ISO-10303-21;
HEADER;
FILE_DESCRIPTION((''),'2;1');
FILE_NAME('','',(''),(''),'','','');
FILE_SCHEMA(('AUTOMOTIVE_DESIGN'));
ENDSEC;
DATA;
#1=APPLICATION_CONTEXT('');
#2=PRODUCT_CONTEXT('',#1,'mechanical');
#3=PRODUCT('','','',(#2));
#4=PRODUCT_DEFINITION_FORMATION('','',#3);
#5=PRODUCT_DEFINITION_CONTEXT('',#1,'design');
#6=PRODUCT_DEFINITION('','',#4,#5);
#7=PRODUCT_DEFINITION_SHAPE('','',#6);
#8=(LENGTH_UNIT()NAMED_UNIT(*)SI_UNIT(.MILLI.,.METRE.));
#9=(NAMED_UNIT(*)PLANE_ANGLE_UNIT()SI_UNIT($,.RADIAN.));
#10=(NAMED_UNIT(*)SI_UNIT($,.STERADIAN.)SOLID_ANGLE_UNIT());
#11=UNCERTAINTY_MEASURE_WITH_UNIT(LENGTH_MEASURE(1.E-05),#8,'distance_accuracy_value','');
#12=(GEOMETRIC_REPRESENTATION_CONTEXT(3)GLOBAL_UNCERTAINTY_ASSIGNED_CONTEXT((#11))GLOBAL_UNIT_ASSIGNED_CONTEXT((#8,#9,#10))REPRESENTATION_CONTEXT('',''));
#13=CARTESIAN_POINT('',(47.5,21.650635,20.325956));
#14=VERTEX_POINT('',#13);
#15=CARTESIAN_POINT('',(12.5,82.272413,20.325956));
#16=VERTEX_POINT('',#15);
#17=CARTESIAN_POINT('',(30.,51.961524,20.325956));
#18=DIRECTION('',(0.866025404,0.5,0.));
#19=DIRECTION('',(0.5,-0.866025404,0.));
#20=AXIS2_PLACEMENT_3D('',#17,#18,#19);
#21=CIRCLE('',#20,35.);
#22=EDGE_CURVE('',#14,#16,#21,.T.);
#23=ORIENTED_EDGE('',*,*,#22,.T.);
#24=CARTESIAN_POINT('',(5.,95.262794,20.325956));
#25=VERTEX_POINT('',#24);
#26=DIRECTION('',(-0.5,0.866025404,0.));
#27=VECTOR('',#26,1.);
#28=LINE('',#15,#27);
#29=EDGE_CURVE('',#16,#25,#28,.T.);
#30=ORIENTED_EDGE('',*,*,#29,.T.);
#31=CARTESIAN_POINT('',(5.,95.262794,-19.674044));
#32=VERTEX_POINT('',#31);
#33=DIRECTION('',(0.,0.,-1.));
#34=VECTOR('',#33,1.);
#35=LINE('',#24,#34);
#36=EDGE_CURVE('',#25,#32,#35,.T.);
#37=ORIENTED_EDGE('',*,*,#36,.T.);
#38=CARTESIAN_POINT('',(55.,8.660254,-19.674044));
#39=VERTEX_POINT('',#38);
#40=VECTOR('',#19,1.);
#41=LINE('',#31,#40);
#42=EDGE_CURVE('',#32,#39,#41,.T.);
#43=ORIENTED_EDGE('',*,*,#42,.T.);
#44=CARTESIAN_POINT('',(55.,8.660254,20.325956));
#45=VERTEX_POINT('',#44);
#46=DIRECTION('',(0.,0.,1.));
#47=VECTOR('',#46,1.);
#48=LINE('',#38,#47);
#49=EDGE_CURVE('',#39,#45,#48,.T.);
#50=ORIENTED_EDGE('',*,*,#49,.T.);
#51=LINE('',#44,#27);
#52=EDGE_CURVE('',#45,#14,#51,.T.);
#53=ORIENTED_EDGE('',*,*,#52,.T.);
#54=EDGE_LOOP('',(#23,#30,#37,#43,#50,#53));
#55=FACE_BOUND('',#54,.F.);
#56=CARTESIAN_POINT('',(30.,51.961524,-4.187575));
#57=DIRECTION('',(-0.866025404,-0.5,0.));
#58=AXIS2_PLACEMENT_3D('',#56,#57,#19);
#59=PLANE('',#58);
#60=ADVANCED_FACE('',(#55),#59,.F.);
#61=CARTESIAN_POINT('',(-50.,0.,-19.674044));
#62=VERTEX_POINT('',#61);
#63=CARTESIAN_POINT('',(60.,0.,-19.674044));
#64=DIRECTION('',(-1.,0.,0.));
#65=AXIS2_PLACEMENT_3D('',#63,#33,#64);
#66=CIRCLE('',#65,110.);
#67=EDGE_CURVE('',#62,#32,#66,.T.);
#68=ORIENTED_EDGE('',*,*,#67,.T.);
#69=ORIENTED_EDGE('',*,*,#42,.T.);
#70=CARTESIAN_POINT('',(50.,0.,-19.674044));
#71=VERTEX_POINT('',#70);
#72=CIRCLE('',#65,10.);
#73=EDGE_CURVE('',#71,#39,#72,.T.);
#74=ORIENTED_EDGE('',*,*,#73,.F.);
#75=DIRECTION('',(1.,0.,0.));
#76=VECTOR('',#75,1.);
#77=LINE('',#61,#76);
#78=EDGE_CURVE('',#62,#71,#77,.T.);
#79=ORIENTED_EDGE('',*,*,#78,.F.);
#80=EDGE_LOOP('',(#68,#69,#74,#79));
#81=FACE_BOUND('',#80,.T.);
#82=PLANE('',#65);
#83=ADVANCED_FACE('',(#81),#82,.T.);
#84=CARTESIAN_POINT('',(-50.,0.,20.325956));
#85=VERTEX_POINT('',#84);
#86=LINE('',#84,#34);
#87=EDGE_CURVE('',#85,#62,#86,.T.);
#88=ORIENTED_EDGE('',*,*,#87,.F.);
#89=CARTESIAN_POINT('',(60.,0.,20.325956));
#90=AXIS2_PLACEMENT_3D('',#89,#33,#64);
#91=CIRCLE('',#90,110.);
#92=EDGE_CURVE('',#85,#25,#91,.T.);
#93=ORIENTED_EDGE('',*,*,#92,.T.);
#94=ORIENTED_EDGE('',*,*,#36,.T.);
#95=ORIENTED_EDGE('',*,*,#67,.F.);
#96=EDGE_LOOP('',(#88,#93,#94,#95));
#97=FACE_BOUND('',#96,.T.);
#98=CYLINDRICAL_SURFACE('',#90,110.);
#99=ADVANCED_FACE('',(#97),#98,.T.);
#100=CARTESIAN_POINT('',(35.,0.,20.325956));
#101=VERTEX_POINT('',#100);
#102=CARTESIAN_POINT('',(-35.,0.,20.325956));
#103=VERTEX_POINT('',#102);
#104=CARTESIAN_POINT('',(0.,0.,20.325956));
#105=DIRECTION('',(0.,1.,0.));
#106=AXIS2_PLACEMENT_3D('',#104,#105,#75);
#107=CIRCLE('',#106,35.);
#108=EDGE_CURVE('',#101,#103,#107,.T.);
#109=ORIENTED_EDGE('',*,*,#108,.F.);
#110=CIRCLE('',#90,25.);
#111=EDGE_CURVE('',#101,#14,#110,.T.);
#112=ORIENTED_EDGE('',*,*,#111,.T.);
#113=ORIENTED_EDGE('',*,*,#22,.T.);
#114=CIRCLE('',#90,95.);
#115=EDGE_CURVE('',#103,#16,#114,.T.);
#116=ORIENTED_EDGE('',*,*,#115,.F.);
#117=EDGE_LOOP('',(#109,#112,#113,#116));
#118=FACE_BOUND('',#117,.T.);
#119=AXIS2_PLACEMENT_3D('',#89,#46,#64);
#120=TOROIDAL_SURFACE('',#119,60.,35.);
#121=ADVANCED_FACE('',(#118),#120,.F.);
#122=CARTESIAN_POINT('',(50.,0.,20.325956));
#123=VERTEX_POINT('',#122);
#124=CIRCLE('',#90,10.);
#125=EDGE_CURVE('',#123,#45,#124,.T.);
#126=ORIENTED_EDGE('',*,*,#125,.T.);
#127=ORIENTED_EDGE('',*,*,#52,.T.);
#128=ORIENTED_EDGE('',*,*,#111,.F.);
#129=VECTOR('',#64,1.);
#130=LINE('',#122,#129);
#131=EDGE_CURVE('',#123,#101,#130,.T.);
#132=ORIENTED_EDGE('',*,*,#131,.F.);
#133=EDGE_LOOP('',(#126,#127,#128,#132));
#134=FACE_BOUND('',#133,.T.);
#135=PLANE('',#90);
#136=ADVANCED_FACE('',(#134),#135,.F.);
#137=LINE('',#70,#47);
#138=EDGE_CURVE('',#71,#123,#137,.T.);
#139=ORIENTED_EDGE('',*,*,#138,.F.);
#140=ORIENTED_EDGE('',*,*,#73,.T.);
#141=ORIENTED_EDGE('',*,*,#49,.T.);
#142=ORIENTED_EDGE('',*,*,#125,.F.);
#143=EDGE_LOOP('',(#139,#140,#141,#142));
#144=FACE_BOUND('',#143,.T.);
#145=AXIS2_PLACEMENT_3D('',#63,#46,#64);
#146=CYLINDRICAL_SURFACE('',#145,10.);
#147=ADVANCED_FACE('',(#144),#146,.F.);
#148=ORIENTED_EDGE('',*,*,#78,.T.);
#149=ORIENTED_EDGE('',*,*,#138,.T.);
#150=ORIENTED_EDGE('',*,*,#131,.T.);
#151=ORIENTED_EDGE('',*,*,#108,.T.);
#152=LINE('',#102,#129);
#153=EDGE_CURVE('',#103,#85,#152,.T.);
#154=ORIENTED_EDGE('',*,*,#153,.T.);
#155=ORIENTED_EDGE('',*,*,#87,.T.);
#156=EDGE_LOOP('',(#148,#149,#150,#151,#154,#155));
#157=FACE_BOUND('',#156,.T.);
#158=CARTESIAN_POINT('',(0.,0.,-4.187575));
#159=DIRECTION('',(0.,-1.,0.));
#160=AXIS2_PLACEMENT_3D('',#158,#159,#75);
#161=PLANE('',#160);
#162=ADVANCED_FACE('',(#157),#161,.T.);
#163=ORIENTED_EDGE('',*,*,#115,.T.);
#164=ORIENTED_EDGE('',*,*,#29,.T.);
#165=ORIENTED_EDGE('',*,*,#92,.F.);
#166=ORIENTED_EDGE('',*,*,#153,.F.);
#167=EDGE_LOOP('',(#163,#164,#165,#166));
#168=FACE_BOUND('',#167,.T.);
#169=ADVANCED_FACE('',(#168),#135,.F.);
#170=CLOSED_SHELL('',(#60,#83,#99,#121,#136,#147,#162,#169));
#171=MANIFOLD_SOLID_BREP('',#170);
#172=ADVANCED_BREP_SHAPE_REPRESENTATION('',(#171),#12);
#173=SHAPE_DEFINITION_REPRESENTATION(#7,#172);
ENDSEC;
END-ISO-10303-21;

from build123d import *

# Parameters (mm, degrees)
F1_ANGLE = 60


with BuildPart() as f1:
    # F0 (on Front) → F1 (revolve)
    with BuildSketch(Plane.XZ):
        with BuildLine():
            Line((-50, 20.325956), (-50, -19.674044))
            Line((-50, -19.674044), (0, -19.674044))
            Line((0, -19.674044), (50, -19.674044))
            Line((50, -19.674044), (50, 20.325956))
            Line((50, 20.325956), (35, 20.325956))
            ThreePointArc((35, 20.325956), (0, -14.674044), (-35, 20.325956))
            Line((-35, 20.325956), (-50, 20.325956))
        make_face()
    revolve(axis=Axis((60, 0, 1.129986), (0, 0, -1)), revolution_arc=F1_ANGLE)


solid = f1.part
